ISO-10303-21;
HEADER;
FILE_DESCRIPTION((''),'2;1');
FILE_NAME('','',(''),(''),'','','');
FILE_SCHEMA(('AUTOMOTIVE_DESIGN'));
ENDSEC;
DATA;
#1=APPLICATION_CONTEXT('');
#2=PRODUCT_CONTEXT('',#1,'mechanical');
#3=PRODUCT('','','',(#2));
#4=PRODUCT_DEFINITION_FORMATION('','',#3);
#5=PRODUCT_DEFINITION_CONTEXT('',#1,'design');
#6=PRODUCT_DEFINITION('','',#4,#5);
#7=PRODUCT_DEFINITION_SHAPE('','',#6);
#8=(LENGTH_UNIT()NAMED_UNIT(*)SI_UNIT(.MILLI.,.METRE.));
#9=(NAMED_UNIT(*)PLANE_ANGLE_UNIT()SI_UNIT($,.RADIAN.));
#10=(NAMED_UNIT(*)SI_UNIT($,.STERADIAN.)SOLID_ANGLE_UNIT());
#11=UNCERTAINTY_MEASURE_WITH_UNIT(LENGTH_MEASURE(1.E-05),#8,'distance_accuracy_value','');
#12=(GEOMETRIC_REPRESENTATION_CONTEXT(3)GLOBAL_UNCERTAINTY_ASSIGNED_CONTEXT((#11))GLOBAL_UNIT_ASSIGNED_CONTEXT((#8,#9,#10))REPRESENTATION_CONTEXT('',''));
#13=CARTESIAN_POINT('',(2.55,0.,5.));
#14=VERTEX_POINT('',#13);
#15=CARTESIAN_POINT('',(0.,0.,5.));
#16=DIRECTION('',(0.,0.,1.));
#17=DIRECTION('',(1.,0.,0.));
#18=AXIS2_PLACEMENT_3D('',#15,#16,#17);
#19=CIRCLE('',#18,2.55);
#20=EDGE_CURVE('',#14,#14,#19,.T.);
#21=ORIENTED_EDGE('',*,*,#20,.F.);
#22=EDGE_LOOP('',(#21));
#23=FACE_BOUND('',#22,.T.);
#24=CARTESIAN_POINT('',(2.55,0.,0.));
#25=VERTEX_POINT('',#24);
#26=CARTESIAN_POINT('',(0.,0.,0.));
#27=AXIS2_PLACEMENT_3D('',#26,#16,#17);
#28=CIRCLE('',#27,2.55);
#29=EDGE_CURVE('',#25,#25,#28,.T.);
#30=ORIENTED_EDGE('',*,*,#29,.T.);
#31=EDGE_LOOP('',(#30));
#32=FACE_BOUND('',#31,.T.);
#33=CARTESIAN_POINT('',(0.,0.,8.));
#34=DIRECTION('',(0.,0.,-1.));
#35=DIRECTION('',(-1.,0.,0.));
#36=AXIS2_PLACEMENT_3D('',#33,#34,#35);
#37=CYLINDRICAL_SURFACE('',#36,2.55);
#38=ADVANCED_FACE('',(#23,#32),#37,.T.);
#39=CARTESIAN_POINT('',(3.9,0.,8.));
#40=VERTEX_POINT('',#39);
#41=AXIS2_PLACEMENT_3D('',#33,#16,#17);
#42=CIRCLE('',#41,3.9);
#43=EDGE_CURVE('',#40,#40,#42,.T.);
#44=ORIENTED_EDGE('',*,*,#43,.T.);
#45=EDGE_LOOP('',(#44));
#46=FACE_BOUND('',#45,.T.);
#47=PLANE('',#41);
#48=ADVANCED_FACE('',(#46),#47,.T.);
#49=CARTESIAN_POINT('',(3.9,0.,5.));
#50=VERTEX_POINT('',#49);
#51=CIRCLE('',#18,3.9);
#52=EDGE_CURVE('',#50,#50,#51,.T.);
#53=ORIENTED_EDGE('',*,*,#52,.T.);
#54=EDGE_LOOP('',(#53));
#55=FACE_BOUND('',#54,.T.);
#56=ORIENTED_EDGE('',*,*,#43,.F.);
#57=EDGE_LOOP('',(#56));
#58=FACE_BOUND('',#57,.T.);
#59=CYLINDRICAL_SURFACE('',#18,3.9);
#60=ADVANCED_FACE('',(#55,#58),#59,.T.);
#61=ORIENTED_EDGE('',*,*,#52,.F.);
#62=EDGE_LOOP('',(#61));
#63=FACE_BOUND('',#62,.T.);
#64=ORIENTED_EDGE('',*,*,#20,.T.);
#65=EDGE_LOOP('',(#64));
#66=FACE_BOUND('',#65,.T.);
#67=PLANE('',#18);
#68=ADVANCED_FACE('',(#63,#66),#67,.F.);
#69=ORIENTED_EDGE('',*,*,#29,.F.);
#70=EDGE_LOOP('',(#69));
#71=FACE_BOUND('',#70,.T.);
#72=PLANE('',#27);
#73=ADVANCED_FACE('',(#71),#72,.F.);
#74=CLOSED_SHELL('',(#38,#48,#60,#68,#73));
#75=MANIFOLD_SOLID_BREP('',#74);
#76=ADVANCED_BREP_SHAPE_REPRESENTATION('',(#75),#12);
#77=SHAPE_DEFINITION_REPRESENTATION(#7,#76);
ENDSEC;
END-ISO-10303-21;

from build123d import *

# Parameters (mm, degrees)
SKIZZE1_R                       = 2.55
AUFSATZ_LINEAR_AUSTRAGEN1_DEPTH = 8
SKIZZE2_R                       = 3.9
AUFSATZ_LINEAR_AUSTRAGEN2_DEPTH = 3


with BuildPart() as part:
    # Skizze1 → Aufsatz-Linear austragen1 (new body)
    with BuildSketch(Plane.XY):
        Circle(SKIZZE1_R)
    extrude(amount=AUFSATZ_LINEAR_AUSTRAGEN1_DEPTH)

    # Skizze2 → Aufsatz-Linear austragen2 (add)
    with BuildSketch(Plane.XY.offset(8)):
        Circle(SKIZZE2_R)
    extrude(amount=-AUFSATZ_LINEAR_AUSTRAGEN2_DEPTH)


solid = part.part
